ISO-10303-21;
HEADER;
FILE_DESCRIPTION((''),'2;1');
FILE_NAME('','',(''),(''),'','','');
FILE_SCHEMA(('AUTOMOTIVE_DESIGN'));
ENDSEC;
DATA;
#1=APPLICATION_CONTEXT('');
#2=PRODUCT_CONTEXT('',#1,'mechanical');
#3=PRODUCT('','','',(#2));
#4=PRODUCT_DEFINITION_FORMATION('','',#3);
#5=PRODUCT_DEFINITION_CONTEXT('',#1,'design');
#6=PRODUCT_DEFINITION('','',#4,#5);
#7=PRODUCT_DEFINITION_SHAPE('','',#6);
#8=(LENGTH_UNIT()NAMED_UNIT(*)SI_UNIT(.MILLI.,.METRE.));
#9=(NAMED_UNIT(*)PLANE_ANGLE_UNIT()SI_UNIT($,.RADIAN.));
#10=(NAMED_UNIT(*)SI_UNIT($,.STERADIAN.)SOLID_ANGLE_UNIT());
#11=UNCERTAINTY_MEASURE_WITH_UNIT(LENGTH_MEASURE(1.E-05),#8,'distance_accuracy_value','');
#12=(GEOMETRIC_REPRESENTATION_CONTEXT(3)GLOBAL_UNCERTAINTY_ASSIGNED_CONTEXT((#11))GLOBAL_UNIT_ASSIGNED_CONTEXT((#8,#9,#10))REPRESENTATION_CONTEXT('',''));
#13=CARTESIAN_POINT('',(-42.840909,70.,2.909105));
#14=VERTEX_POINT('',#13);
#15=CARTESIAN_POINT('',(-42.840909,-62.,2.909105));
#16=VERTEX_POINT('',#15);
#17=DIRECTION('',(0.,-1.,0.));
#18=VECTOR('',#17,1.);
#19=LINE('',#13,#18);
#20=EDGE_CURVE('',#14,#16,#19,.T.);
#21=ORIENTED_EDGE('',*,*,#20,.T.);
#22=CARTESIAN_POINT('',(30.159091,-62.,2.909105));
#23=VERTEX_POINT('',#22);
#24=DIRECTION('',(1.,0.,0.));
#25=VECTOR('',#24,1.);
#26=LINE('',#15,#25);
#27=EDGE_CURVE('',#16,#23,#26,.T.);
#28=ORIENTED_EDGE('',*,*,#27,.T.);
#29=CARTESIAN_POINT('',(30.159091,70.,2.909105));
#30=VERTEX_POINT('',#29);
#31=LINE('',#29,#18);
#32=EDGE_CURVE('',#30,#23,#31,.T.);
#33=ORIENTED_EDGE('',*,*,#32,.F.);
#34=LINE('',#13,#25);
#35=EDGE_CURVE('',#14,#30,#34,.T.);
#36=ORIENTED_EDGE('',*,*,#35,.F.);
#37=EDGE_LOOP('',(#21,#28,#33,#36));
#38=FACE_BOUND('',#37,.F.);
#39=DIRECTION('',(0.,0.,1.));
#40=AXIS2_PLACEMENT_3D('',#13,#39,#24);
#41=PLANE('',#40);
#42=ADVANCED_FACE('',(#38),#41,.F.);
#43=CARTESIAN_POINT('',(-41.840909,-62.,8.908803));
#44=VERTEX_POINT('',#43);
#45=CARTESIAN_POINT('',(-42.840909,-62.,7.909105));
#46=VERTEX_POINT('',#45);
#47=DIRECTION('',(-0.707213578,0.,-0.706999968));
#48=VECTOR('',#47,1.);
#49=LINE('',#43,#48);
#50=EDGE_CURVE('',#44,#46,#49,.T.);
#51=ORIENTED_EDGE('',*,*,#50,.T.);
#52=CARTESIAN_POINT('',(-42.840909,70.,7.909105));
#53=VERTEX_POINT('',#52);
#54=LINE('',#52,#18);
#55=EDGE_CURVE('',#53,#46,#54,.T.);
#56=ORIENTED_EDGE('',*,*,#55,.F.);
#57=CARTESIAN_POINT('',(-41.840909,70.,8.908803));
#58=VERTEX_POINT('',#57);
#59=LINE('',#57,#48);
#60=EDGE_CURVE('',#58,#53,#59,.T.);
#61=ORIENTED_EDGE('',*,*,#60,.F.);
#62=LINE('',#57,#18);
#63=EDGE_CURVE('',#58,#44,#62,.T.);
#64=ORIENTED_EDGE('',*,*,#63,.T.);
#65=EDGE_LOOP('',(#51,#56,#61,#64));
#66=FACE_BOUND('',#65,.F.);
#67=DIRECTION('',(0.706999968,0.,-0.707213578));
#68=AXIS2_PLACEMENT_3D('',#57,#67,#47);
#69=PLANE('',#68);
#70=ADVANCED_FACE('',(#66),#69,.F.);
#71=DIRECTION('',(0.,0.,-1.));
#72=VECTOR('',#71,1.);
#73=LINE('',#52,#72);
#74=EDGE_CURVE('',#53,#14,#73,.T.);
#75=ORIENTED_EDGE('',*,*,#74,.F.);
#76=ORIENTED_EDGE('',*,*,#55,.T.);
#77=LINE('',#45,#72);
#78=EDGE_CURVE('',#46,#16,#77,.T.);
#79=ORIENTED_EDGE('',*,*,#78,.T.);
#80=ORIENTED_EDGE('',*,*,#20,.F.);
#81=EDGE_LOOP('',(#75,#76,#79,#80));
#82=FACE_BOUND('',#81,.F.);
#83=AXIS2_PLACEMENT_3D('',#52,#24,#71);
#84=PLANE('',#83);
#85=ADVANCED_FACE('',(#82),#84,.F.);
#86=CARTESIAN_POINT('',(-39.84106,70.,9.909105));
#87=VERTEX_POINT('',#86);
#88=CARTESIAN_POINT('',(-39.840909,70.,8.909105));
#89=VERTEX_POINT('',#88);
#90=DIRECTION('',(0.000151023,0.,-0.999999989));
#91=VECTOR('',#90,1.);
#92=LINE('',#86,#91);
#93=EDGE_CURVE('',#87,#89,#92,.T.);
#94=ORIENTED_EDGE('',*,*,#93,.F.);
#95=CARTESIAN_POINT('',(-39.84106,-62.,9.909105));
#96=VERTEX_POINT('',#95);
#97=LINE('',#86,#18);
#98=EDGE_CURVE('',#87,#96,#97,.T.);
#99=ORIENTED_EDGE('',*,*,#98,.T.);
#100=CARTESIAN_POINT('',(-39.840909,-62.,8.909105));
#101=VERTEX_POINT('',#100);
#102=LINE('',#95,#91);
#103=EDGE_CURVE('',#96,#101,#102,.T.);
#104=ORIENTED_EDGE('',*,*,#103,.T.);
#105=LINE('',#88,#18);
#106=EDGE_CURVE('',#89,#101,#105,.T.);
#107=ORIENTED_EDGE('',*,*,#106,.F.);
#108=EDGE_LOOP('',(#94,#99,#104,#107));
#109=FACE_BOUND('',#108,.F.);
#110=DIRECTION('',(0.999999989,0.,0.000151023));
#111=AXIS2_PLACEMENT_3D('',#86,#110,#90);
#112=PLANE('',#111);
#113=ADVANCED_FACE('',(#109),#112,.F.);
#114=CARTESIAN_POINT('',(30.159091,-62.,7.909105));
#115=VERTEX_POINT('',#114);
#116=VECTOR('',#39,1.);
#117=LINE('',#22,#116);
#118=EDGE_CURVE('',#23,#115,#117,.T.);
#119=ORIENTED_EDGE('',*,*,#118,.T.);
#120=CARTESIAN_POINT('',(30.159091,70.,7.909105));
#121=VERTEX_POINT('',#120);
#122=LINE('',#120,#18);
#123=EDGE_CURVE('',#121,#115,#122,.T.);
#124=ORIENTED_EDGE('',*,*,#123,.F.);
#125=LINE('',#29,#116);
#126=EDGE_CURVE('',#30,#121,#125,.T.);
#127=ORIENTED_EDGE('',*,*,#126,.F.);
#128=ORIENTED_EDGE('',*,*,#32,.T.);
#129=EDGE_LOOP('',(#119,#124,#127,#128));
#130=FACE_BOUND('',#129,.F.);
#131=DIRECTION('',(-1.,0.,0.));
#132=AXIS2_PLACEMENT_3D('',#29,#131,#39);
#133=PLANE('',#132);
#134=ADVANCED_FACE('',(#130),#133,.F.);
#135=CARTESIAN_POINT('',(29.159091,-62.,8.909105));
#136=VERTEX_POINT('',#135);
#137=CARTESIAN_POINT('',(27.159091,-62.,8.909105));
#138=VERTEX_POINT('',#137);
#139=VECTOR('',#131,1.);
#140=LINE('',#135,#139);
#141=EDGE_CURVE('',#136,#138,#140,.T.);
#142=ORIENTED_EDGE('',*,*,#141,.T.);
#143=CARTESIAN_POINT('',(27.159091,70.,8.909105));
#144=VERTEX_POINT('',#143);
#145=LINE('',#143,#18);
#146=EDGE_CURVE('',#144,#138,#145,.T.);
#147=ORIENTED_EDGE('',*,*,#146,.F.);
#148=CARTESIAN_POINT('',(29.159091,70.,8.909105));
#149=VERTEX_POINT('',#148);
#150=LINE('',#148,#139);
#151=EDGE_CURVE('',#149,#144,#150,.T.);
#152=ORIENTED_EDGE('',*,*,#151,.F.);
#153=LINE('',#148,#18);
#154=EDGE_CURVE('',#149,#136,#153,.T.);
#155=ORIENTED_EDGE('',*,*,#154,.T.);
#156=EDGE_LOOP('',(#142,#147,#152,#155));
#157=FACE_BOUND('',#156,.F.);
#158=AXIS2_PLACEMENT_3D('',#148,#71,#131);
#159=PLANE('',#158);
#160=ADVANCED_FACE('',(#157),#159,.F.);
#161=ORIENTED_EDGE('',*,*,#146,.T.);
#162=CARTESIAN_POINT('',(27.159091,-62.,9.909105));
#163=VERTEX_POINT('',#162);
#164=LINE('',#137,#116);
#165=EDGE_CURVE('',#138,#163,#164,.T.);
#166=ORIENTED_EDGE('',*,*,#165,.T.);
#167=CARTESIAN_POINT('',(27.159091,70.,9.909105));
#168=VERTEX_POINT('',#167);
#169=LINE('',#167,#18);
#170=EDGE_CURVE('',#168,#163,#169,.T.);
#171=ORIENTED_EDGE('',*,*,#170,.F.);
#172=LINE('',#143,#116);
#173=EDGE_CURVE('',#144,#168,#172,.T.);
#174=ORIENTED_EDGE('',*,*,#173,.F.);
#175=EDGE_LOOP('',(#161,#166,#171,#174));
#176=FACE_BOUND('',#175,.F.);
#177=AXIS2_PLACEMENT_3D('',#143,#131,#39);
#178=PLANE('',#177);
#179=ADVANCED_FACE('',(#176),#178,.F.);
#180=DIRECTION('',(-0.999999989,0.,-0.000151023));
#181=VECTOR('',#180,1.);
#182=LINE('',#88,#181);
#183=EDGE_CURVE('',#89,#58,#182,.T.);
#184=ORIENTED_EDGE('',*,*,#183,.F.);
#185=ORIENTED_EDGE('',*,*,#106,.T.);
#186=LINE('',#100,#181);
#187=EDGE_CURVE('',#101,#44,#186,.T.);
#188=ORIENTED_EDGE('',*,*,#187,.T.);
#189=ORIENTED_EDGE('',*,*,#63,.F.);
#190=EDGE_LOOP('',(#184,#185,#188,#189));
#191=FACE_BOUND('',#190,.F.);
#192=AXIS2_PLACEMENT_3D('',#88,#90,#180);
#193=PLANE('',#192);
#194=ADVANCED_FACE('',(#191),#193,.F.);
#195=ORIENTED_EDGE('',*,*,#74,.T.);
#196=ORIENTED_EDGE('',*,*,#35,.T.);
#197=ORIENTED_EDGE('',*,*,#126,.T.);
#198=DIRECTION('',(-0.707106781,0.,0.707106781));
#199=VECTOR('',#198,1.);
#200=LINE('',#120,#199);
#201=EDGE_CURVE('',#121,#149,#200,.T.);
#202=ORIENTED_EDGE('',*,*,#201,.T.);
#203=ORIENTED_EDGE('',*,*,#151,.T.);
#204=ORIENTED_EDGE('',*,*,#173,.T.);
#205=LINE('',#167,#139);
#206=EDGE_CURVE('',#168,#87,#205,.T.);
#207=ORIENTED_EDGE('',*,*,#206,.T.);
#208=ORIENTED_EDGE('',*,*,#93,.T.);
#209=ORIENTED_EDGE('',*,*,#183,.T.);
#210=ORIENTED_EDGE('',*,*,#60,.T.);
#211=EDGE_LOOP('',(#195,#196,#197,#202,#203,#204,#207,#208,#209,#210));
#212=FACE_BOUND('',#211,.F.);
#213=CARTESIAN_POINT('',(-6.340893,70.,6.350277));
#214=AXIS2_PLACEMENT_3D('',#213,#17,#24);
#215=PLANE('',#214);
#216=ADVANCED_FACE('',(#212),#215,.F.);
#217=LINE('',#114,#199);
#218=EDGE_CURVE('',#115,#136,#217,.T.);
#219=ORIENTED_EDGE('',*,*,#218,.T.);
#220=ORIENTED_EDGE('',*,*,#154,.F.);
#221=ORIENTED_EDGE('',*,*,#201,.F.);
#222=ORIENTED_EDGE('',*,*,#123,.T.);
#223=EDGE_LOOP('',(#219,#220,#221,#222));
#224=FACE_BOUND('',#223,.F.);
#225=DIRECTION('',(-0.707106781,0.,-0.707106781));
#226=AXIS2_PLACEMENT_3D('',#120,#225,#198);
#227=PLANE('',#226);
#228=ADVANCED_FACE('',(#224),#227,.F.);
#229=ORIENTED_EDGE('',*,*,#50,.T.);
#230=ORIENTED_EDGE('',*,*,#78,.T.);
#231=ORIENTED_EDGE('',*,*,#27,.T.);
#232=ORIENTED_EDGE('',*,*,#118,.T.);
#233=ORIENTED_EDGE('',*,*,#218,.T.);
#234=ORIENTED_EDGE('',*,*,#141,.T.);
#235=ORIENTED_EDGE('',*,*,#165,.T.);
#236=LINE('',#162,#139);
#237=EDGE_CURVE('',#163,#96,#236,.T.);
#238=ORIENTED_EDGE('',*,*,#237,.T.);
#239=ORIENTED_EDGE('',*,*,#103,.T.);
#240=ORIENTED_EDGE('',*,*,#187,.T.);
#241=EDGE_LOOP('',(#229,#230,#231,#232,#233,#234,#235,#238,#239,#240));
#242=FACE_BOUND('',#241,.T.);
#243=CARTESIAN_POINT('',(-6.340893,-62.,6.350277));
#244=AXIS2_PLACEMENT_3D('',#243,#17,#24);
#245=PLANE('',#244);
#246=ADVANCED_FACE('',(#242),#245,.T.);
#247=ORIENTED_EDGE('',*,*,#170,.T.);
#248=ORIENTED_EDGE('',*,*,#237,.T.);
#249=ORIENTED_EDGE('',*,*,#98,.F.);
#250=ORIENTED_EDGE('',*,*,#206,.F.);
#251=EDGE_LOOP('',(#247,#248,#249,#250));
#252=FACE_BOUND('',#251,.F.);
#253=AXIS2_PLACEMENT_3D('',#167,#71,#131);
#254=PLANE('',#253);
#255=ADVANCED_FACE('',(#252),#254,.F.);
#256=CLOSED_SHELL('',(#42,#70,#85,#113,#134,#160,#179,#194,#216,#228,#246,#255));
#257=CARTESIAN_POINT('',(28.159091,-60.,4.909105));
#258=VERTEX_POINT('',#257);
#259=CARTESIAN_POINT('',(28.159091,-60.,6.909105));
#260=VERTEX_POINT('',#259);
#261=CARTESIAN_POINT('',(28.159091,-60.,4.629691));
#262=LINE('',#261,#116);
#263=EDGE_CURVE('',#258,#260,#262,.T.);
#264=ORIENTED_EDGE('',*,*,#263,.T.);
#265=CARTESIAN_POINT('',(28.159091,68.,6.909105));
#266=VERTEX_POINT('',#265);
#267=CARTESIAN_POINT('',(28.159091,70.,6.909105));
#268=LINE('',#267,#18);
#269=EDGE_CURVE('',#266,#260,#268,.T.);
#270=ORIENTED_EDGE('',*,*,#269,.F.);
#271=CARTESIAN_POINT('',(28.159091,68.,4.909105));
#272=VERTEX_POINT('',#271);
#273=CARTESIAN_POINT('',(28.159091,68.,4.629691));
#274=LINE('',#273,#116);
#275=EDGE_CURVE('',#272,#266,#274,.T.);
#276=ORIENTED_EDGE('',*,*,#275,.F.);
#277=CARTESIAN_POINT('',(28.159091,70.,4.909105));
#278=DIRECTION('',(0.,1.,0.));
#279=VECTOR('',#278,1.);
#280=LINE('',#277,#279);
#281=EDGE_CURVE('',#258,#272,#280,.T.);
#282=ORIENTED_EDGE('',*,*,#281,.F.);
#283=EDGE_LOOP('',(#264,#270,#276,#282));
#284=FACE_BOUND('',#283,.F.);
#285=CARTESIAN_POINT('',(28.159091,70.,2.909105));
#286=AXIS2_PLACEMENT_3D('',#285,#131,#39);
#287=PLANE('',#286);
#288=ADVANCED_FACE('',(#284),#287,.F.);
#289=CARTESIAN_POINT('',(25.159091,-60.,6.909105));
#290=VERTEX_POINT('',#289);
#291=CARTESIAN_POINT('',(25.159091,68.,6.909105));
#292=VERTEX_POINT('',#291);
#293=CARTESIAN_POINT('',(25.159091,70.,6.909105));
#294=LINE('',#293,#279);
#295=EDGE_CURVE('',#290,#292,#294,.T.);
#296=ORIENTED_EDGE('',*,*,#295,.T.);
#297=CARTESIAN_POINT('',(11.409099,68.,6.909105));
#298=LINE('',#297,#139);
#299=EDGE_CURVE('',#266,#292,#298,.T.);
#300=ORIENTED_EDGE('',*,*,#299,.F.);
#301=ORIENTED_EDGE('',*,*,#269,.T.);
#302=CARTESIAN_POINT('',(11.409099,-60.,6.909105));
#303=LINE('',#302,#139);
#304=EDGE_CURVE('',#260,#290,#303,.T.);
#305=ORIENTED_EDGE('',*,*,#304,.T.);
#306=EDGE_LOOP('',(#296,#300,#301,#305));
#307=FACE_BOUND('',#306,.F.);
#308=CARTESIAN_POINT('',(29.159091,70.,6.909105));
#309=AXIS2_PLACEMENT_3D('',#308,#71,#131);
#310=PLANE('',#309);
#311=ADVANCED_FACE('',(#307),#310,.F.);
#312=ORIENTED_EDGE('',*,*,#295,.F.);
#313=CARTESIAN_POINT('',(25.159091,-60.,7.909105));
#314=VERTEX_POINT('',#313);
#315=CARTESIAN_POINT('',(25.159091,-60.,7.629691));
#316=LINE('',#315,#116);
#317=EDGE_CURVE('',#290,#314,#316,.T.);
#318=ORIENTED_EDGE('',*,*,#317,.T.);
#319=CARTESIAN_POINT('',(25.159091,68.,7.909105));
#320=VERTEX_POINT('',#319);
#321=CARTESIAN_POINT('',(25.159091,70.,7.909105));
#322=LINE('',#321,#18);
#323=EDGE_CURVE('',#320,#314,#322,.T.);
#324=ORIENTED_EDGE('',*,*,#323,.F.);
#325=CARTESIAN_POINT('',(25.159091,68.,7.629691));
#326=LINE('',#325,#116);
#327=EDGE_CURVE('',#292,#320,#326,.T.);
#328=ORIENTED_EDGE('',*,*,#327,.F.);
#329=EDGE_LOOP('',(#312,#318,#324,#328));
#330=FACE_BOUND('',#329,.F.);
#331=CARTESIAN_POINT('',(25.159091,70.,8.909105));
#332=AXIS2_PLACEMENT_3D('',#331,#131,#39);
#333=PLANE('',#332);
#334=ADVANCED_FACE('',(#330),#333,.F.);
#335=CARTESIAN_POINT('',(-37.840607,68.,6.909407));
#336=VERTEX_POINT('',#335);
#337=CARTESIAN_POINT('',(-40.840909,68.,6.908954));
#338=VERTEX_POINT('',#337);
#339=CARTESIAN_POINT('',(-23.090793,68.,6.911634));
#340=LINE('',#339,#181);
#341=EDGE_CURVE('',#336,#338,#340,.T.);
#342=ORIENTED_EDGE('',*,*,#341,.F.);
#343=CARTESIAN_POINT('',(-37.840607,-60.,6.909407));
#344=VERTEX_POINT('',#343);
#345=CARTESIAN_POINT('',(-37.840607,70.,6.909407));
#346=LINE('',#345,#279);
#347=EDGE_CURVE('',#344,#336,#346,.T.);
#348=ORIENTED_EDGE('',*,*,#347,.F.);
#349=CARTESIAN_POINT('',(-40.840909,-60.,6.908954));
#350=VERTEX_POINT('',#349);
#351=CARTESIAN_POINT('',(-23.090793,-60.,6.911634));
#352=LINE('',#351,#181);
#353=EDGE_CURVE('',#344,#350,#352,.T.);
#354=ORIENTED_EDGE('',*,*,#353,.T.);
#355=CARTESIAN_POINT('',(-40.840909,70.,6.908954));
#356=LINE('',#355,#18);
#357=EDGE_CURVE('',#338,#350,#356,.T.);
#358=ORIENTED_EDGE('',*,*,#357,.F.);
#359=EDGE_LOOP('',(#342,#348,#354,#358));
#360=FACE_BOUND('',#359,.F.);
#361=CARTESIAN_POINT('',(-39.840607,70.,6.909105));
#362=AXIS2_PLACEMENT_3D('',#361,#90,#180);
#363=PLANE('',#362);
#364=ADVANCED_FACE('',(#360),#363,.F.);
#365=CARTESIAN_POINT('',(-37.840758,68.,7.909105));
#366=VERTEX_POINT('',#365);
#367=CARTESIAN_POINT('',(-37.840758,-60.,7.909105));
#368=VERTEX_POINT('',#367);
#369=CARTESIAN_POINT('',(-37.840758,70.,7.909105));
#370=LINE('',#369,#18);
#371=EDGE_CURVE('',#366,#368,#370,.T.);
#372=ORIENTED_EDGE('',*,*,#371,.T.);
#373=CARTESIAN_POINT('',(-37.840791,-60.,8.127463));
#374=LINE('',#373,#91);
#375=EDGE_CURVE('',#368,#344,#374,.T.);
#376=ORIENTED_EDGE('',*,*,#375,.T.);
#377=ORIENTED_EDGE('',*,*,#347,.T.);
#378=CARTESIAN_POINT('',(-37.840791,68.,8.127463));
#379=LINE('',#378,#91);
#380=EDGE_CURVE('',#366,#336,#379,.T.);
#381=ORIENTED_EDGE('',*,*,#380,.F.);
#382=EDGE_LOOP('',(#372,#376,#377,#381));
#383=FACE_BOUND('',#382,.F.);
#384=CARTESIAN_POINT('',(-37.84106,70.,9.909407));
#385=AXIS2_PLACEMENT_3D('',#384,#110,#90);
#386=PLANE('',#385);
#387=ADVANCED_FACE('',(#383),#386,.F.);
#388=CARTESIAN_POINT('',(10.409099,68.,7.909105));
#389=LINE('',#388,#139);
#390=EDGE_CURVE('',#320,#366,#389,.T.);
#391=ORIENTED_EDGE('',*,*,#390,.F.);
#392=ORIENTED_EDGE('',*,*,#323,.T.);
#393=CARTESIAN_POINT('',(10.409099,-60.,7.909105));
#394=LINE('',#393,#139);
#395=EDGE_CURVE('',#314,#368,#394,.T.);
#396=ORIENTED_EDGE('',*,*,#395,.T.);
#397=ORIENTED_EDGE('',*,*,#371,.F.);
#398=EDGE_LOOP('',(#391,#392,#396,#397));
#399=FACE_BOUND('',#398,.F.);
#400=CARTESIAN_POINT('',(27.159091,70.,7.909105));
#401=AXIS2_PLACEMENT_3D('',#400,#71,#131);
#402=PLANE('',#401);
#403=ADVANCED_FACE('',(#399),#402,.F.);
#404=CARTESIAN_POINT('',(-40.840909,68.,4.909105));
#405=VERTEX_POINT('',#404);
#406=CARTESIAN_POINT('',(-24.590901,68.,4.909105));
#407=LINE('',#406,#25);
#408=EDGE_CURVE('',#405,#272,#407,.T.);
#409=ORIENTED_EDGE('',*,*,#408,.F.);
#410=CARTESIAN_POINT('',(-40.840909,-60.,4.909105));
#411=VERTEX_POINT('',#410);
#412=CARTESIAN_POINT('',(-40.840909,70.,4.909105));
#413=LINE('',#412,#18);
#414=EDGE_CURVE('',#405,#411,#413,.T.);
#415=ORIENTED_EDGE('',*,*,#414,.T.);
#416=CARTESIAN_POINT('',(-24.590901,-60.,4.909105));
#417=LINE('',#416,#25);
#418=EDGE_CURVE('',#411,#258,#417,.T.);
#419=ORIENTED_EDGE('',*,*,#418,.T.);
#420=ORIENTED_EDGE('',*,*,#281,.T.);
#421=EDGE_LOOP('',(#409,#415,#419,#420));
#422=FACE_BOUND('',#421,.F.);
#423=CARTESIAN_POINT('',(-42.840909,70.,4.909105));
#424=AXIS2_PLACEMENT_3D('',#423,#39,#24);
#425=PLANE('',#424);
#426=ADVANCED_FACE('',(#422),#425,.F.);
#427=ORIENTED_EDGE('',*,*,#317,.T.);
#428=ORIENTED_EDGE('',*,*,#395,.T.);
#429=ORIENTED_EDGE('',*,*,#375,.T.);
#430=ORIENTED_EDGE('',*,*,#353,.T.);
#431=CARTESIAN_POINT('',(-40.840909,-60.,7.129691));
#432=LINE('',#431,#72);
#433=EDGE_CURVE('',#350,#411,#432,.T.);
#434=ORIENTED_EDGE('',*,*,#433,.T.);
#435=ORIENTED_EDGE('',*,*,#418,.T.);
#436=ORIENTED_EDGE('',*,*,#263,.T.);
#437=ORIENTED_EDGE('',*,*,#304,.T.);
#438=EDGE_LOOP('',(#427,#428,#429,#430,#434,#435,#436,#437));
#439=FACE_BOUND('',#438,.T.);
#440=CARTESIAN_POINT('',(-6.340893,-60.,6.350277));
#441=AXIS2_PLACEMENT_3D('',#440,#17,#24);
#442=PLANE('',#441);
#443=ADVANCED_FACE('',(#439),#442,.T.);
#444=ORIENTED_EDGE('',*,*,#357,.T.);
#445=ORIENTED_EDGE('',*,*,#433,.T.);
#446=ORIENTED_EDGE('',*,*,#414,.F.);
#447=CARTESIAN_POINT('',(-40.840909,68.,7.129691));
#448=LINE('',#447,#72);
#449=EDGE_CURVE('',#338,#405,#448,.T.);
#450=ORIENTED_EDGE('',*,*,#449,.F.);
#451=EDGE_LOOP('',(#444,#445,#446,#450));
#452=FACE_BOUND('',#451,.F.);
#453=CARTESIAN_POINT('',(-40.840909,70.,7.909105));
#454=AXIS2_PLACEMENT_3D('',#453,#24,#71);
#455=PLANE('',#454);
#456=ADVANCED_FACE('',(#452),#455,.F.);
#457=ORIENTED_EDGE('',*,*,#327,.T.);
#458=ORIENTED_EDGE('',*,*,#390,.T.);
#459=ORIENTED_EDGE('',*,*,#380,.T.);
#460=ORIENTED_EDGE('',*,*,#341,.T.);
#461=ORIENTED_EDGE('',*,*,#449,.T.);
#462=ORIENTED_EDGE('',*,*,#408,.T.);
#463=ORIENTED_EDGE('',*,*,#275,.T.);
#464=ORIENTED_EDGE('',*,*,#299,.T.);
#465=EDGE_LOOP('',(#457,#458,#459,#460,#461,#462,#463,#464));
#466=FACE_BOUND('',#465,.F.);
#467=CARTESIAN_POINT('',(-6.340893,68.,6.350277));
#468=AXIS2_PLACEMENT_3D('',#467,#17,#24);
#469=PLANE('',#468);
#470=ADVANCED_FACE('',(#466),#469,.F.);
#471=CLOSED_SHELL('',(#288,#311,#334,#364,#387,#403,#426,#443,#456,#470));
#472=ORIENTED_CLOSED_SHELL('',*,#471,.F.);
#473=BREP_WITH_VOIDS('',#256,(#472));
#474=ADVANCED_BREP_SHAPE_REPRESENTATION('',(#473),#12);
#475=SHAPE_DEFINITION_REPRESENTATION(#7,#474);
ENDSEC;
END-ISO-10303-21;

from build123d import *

# Parameters (mm, degrees)
F1_DEPTH = 132
F4_T     = -2


with BuildPart() as f1:
    # F0 (on Front) → F1 (new body)
    with BuildSketch(Plane.XZ):
        Polygon((-39.8409090909, -5.0908953616), (27.1590909091, -5.0908953616), (30.1590909091, -5.0908953616), (30.1590909091, -0.0908953616), (29.1590909091, 0.9091046384), (27.1590909091, 0.9091046384), (27.1590909091, 1.9091046384), (-39.8410601137, 1.909104627), (-39.8409090909, 0.9091046384), (-41.8409090909, 0.9088025928), (-42.8409090909, -0.0908953616), (-42.8409090909, -5.0908953616), align=None)
    extrude(amount=F1_DEPTH)


with BuildPart() as f1_1:
    # F2: moved
    add(f1.part.moved(Location((0, 0, 8))))


with BuildPart() as f1_2:
    # F3: moved
    add(f1_1.part.moved(Location((0, 70, 0))))

    # F4 (hollow: no face is removed)
    offset(amount=F4_T, kind=Kind.INTERSECTION, mode=Mode.SUBTRACT)


solid = f1_2.part
